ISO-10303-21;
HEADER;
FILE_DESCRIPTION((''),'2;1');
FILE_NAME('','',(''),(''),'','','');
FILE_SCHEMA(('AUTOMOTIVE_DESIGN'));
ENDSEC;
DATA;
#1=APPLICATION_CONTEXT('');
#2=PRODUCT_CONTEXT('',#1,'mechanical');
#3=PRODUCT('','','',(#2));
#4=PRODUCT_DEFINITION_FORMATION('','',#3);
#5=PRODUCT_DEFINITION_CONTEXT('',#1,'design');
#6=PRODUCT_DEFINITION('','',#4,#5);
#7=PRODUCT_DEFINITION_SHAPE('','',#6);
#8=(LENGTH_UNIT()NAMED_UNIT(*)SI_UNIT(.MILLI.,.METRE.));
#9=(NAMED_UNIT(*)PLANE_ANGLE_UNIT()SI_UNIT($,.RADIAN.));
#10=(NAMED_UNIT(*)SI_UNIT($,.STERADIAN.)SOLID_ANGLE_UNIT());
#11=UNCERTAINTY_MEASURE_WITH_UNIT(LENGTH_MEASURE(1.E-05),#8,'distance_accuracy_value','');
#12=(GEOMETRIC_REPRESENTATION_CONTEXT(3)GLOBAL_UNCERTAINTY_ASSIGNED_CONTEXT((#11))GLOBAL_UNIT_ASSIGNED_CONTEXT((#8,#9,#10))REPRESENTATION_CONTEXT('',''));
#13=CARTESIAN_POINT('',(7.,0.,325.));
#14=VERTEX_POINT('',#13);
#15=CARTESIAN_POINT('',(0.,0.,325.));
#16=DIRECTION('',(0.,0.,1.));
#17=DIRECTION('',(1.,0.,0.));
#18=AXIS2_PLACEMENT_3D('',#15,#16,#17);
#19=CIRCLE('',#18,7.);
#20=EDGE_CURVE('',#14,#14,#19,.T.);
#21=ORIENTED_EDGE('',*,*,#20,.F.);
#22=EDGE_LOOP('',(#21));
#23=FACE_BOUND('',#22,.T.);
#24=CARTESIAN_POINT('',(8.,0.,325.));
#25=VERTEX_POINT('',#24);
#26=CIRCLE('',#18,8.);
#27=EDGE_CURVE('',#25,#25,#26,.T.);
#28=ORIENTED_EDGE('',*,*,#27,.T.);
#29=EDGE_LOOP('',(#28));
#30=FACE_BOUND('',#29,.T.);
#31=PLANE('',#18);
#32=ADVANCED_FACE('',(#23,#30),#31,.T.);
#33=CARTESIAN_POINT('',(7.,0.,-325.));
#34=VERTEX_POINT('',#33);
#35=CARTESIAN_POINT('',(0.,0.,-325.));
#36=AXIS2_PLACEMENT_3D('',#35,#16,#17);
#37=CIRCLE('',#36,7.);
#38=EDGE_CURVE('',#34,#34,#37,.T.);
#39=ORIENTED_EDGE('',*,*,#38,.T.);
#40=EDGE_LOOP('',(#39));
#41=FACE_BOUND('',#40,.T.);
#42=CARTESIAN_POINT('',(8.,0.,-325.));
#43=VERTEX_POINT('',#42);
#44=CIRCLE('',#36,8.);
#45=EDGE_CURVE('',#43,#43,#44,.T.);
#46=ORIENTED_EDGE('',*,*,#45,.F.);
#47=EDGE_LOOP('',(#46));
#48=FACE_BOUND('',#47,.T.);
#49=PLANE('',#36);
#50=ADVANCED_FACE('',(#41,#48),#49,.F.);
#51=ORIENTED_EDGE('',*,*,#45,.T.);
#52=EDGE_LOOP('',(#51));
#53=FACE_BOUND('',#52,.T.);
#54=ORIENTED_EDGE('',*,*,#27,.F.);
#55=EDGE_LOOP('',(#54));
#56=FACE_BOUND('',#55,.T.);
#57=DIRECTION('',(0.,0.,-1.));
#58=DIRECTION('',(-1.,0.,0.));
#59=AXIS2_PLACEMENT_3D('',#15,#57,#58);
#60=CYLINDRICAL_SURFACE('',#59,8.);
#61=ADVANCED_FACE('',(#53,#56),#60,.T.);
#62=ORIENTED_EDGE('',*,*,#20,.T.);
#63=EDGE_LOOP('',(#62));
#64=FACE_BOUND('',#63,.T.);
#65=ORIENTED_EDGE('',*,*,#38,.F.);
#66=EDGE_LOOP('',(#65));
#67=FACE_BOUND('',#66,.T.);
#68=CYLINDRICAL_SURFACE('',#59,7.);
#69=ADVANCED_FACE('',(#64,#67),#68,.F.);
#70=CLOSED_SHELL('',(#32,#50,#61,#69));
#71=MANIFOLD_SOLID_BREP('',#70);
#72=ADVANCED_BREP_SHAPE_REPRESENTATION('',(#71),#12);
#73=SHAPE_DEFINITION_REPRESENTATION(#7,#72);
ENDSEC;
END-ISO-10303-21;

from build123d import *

# Parameters (mm, degrees)
SKETCH_1_R      = 8
SKETCH_1_R_2    = 7
EXTRUDE_1_DEPTH = 325


with BuildPart() as part:
    # Эскиз1 → Бобышка-Вытянуть1 (new, symmetric)
    with BuildSketch(Plane.XY):
        Circle(SKETCH_1_R)
        Circle(SKETCH_1_R_2, mode=Mode.SUBTRACT)
    extrude(amount=EXTRUDE_1_DEPTH, both=True)


solid = part.part
